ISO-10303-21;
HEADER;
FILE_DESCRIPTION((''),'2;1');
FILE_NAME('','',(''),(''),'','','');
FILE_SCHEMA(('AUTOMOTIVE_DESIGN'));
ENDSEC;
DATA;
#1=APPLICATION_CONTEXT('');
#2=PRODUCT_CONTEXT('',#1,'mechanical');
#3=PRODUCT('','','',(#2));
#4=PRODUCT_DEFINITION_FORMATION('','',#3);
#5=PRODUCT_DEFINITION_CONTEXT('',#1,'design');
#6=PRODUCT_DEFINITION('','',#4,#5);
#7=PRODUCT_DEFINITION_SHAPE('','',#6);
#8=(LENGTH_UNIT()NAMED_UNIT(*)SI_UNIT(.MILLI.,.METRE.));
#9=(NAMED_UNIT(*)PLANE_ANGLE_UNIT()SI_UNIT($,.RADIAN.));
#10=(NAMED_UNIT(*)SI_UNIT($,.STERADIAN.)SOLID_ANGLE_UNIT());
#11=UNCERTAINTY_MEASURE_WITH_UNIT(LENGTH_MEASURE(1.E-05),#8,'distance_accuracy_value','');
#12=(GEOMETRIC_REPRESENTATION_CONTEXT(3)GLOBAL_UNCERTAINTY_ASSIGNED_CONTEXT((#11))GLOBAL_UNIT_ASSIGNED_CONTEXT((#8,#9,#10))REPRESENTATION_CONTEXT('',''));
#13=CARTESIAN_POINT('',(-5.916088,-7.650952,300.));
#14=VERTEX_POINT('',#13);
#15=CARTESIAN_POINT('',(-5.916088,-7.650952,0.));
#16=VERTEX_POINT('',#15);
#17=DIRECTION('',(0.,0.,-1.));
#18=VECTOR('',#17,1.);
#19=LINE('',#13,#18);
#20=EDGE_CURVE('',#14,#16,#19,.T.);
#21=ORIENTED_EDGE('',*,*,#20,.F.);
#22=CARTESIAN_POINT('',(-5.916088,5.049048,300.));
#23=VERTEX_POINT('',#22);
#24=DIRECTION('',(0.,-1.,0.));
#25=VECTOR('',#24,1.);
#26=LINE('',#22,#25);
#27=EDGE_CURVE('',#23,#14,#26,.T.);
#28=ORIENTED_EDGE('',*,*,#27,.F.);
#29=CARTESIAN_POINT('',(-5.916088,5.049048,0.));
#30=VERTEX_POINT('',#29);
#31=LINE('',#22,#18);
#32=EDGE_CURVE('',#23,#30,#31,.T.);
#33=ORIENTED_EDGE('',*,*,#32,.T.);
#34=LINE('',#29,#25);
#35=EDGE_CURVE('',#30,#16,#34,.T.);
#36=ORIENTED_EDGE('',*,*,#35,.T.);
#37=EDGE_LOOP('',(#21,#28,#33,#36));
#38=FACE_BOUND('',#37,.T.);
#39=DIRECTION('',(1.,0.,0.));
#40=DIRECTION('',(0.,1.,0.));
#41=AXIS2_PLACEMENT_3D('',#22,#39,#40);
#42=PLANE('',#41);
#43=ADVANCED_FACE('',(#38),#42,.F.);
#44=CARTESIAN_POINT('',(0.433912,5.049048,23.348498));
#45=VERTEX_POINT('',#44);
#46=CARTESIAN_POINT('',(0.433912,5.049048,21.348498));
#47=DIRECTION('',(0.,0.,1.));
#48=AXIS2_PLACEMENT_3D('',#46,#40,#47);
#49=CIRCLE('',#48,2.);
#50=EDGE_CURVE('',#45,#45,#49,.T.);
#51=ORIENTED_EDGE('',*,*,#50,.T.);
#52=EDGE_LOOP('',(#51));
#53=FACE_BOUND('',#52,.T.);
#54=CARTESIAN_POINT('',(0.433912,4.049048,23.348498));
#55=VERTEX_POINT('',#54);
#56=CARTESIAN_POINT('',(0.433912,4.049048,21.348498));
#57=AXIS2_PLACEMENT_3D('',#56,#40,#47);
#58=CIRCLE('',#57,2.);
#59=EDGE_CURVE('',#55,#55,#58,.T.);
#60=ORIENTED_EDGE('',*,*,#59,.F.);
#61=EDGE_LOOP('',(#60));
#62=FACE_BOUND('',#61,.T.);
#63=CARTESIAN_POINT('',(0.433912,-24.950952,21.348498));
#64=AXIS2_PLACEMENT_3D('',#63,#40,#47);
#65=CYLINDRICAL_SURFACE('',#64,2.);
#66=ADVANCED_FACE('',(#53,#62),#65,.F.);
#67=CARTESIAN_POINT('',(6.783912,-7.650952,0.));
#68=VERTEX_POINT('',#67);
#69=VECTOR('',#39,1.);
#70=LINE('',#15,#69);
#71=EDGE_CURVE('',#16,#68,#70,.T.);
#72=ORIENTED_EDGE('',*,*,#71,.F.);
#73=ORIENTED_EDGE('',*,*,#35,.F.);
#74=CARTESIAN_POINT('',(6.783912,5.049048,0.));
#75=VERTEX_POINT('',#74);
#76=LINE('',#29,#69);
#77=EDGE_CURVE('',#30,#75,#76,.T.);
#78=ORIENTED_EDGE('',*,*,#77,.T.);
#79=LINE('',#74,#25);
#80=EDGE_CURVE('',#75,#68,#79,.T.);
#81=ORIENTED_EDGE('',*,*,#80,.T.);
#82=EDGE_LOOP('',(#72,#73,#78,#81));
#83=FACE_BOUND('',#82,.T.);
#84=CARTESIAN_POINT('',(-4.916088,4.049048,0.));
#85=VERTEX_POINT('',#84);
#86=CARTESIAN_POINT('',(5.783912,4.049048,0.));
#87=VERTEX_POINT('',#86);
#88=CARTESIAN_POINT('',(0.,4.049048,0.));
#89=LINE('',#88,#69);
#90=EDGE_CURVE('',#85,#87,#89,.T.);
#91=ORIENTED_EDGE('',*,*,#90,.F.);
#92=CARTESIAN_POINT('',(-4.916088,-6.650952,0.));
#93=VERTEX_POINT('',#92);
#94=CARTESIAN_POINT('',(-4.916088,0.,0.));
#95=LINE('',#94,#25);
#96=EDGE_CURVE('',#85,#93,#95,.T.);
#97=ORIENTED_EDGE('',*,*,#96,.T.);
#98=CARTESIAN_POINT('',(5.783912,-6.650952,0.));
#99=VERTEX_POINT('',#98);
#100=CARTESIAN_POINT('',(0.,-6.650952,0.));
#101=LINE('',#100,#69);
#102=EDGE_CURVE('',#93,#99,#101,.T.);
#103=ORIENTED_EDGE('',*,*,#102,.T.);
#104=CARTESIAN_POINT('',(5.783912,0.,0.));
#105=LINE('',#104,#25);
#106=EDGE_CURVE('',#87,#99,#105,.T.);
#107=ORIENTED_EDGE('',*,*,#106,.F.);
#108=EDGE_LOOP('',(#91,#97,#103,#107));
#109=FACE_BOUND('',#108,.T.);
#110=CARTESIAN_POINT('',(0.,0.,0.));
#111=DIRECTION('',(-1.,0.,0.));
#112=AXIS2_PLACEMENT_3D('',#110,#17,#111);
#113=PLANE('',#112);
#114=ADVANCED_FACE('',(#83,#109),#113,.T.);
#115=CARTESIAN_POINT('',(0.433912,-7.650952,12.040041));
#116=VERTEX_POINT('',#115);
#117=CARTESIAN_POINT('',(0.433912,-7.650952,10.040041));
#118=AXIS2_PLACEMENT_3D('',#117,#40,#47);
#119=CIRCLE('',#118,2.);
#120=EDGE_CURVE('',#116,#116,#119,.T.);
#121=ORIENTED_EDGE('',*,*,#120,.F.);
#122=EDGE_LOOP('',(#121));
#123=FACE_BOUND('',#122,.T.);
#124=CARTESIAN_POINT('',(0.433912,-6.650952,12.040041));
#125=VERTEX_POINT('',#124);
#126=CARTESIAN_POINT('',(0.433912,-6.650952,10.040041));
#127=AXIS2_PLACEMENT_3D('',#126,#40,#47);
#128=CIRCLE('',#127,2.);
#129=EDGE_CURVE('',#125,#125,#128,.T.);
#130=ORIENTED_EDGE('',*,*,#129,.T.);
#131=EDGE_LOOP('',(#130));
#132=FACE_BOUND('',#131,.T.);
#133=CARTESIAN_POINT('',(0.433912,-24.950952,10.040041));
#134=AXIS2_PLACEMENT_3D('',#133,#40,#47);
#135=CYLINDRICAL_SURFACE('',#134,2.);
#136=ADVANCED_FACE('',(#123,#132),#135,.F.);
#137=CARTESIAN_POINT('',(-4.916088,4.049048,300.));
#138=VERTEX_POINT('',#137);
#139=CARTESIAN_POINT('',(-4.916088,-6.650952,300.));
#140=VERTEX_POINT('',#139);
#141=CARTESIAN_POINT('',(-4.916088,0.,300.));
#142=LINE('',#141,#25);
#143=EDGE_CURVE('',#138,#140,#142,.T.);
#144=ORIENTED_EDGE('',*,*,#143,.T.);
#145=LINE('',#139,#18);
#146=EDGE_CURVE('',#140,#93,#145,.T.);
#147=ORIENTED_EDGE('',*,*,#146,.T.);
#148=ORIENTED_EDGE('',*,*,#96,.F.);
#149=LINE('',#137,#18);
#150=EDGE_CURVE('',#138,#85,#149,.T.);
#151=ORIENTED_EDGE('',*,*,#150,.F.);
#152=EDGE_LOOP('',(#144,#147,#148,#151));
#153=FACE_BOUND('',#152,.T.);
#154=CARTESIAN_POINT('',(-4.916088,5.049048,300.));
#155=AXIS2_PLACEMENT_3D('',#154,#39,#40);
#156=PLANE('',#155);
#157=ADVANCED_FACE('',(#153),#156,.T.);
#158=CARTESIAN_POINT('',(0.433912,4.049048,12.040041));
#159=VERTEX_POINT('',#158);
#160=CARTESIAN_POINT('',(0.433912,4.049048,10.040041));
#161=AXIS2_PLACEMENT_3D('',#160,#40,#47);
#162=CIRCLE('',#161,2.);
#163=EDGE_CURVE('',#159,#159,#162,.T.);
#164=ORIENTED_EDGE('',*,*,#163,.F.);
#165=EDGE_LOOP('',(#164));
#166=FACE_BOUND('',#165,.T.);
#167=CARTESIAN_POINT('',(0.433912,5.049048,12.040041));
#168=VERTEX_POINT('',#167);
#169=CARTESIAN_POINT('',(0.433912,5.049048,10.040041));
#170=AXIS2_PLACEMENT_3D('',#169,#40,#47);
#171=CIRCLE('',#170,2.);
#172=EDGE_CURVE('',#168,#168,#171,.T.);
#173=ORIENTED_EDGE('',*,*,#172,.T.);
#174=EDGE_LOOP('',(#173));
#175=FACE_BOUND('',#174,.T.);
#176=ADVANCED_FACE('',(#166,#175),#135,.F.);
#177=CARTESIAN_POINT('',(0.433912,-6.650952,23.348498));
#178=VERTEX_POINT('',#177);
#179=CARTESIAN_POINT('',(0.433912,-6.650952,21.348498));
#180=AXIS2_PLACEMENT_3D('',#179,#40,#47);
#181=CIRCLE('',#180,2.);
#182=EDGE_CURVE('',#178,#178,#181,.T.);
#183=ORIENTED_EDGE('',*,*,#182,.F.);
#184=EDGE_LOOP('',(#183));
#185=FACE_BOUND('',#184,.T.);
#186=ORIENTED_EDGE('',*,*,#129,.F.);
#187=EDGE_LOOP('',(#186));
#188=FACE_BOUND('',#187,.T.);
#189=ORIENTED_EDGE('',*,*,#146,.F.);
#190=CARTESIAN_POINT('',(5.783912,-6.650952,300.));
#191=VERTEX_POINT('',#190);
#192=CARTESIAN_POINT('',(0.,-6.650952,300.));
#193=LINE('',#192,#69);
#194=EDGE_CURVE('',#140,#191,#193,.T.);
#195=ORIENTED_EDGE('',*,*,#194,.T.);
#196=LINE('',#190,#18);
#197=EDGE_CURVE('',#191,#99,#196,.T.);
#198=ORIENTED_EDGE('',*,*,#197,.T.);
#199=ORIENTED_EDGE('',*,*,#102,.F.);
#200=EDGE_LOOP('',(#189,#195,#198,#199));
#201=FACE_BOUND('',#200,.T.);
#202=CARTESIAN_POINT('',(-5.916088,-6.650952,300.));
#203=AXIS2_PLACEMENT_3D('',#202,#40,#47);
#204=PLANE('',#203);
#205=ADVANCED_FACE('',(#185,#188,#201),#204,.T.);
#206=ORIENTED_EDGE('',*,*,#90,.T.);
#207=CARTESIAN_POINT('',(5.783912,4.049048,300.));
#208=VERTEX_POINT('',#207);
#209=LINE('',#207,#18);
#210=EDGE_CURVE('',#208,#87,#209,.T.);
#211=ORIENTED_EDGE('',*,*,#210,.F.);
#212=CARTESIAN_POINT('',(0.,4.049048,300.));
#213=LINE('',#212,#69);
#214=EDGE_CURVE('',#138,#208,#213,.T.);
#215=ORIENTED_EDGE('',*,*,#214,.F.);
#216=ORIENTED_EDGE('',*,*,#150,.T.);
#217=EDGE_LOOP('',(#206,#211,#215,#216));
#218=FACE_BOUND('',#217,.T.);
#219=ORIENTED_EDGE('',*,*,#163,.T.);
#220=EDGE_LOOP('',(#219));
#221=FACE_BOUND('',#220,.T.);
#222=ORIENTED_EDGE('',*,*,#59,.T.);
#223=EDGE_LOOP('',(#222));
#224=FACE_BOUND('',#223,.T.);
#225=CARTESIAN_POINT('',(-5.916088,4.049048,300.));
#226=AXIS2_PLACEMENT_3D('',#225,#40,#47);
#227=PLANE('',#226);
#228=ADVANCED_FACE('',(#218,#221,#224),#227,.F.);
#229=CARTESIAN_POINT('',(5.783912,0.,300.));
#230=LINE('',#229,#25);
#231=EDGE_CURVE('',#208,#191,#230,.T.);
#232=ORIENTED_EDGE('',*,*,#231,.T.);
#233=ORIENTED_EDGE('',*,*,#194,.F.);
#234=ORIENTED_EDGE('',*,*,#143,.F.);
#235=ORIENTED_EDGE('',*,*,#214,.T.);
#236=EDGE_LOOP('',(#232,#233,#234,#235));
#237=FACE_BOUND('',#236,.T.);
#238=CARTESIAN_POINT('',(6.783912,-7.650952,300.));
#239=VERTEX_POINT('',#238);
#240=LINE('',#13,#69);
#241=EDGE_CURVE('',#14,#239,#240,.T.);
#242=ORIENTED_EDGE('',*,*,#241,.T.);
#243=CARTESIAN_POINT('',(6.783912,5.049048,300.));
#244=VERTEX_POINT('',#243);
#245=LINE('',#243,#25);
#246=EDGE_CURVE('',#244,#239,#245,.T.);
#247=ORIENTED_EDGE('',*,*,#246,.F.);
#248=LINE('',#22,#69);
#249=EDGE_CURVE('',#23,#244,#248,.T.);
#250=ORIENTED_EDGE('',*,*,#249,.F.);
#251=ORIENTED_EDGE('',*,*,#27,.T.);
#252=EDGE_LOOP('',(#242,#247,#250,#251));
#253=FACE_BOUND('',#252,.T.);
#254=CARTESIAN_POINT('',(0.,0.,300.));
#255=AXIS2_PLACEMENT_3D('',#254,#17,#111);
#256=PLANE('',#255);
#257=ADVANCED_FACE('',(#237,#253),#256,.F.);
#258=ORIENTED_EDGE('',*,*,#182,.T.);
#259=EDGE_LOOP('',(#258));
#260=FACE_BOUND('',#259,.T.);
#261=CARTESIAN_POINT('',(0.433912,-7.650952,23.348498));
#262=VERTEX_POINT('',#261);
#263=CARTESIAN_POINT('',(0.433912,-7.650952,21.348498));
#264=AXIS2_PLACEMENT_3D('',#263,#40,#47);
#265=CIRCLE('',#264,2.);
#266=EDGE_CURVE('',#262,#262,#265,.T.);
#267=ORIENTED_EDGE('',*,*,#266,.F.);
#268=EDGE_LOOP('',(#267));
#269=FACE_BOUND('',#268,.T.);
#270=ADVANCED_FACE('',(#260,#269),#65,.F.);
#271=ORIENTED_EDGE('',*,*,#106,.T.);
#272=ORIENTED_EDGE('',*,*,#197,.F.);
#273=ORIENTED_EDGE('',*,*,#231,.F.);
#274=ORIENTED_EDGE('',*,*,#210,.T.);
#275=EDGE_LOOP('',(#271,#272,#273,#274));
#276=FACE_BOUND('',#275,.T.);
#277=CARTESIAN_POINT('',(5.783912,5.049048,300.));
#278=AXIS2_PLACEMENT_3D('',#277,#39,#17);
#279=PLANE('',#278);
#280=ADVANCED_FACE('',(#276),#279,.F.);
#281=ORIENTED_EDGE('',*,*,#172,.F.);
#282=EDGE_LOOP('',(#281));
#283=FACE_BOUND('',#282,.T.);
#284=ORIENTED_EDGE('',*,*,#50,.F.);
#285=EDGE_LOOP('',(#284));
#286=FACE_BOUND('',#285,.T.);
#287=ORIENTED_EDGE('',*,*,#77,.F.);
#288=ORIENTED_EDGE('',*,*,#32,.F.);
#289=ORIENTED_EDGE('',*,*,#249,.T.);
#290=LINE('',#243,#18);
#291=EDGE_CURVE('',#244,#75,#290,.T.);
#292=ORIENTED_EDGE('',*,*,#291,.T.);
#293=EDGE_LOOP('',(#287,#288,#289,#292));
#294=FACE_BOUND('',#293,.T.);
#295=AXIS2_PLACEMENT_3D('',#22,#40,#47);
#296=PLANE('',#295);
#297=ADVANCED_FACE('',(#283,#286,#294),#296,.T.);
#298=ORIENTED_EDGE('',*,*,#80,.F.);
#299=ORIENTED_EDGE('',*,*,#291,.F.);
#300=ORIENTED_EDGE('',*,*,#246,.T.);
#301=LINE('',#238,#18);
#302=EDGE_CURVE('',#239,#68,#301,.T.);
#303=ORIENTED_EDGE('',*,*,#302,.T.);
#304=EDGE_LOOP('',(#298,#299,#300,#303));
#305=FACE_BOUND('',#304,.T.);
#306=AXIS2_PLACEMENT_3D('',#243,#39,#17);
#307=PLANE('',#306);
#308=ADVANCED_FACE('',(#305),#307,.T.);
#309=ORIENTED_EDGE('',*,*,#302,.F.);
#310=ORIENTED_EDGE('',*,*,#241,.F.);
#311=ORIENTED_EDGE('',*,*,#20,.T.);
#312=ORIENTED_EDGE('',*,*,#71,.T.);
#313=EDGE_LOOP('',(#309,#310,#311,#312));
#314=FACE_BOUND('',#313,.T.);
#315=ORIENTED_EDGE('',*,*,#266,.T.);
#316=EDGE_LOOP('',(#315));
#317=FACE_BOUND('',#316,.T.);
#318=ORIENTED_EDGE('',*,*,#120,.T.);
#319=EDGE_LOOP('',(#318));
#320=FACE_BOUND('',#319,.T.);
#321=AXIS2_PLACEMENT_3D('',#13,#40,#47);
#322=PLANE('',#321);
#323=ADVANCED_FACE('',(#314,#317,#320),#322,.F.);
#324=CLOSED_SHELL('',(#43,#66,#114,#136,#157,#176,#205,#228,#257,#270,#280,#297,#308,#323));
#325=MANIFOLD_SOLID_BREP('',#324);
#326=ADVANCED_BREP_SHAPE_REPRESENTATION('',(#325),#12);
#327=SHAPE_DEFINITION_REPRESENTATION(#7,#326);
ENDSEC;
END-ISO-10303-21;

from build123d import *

# Parameters (mm, degrees)
SKETCH1_W           = 12.7
SKETCH1_H           = 12.7
BOSS_EXTRUDE1_DEPTH = 300
SHELL18_T           = -1
SKETCH2_R           = 2
CUT_EXTRUDE1_DEPTH  = 30
SKETCH3_R           = 2
CUT_EXTRUDE2_DEPTH  = 20


with BuildPart() as part:
    # Sketch1 → Boss-Extrude1 (new body)
    with BuildSketch(Plane.XY):
        with Locations((0.433911759, -1.30095226)):
            Rectangle(SKETCH1_W, SKETCH1_H)
    extrude(amount=BOSS_EXTRUDE1_DEPTH)

    # Shell18
    shell18_openings = [part.faces().sort_by_distance(p)[0] for p in [
        (0.433911759, -1.30095226, 300),
        (0.433911759, -1.30095226, 0),
    ]]
    offset(amount=SHELL18_T, openings=shell18_openings, kind=Kind.INTERSECTION)

    # Sketch2 → Cut-Extrude1 (cut)
    with BuildSketch(Plane(origin=(0, 5.04904774, 0), x_dir=(1, 0, 0), z_dir=(0, 1, 0))):
        with Locations((0.433911759, -10.040040702)):
            Circle(SKETCH2_R)
        with Locations((0.433911759, -21.34849815)):
            Circle(SKETCH2_R)
    extrude(amount=-CUT_EXTRUDE1_DEPTH, mode=Mode.SUBTRACT)

    # Sketch3 → Cut-Extrude2 (cut)
    with BuildSketch(Plane(origin=(0, 5.04904774, 0), x_dir=(1, 0, 0), z_dir=(0, 1, 0))):
        with Locations((0.433911759, -336)):
            Circle(SKETCH3_R)
        with Locations((0.433911759, -316)):
            Circle(SKETCH3_R)
    extrude(amount=-CUT_EXTRUDE2_DEPTH, mode=Mode.SUBTRACT)


solid = part.part
